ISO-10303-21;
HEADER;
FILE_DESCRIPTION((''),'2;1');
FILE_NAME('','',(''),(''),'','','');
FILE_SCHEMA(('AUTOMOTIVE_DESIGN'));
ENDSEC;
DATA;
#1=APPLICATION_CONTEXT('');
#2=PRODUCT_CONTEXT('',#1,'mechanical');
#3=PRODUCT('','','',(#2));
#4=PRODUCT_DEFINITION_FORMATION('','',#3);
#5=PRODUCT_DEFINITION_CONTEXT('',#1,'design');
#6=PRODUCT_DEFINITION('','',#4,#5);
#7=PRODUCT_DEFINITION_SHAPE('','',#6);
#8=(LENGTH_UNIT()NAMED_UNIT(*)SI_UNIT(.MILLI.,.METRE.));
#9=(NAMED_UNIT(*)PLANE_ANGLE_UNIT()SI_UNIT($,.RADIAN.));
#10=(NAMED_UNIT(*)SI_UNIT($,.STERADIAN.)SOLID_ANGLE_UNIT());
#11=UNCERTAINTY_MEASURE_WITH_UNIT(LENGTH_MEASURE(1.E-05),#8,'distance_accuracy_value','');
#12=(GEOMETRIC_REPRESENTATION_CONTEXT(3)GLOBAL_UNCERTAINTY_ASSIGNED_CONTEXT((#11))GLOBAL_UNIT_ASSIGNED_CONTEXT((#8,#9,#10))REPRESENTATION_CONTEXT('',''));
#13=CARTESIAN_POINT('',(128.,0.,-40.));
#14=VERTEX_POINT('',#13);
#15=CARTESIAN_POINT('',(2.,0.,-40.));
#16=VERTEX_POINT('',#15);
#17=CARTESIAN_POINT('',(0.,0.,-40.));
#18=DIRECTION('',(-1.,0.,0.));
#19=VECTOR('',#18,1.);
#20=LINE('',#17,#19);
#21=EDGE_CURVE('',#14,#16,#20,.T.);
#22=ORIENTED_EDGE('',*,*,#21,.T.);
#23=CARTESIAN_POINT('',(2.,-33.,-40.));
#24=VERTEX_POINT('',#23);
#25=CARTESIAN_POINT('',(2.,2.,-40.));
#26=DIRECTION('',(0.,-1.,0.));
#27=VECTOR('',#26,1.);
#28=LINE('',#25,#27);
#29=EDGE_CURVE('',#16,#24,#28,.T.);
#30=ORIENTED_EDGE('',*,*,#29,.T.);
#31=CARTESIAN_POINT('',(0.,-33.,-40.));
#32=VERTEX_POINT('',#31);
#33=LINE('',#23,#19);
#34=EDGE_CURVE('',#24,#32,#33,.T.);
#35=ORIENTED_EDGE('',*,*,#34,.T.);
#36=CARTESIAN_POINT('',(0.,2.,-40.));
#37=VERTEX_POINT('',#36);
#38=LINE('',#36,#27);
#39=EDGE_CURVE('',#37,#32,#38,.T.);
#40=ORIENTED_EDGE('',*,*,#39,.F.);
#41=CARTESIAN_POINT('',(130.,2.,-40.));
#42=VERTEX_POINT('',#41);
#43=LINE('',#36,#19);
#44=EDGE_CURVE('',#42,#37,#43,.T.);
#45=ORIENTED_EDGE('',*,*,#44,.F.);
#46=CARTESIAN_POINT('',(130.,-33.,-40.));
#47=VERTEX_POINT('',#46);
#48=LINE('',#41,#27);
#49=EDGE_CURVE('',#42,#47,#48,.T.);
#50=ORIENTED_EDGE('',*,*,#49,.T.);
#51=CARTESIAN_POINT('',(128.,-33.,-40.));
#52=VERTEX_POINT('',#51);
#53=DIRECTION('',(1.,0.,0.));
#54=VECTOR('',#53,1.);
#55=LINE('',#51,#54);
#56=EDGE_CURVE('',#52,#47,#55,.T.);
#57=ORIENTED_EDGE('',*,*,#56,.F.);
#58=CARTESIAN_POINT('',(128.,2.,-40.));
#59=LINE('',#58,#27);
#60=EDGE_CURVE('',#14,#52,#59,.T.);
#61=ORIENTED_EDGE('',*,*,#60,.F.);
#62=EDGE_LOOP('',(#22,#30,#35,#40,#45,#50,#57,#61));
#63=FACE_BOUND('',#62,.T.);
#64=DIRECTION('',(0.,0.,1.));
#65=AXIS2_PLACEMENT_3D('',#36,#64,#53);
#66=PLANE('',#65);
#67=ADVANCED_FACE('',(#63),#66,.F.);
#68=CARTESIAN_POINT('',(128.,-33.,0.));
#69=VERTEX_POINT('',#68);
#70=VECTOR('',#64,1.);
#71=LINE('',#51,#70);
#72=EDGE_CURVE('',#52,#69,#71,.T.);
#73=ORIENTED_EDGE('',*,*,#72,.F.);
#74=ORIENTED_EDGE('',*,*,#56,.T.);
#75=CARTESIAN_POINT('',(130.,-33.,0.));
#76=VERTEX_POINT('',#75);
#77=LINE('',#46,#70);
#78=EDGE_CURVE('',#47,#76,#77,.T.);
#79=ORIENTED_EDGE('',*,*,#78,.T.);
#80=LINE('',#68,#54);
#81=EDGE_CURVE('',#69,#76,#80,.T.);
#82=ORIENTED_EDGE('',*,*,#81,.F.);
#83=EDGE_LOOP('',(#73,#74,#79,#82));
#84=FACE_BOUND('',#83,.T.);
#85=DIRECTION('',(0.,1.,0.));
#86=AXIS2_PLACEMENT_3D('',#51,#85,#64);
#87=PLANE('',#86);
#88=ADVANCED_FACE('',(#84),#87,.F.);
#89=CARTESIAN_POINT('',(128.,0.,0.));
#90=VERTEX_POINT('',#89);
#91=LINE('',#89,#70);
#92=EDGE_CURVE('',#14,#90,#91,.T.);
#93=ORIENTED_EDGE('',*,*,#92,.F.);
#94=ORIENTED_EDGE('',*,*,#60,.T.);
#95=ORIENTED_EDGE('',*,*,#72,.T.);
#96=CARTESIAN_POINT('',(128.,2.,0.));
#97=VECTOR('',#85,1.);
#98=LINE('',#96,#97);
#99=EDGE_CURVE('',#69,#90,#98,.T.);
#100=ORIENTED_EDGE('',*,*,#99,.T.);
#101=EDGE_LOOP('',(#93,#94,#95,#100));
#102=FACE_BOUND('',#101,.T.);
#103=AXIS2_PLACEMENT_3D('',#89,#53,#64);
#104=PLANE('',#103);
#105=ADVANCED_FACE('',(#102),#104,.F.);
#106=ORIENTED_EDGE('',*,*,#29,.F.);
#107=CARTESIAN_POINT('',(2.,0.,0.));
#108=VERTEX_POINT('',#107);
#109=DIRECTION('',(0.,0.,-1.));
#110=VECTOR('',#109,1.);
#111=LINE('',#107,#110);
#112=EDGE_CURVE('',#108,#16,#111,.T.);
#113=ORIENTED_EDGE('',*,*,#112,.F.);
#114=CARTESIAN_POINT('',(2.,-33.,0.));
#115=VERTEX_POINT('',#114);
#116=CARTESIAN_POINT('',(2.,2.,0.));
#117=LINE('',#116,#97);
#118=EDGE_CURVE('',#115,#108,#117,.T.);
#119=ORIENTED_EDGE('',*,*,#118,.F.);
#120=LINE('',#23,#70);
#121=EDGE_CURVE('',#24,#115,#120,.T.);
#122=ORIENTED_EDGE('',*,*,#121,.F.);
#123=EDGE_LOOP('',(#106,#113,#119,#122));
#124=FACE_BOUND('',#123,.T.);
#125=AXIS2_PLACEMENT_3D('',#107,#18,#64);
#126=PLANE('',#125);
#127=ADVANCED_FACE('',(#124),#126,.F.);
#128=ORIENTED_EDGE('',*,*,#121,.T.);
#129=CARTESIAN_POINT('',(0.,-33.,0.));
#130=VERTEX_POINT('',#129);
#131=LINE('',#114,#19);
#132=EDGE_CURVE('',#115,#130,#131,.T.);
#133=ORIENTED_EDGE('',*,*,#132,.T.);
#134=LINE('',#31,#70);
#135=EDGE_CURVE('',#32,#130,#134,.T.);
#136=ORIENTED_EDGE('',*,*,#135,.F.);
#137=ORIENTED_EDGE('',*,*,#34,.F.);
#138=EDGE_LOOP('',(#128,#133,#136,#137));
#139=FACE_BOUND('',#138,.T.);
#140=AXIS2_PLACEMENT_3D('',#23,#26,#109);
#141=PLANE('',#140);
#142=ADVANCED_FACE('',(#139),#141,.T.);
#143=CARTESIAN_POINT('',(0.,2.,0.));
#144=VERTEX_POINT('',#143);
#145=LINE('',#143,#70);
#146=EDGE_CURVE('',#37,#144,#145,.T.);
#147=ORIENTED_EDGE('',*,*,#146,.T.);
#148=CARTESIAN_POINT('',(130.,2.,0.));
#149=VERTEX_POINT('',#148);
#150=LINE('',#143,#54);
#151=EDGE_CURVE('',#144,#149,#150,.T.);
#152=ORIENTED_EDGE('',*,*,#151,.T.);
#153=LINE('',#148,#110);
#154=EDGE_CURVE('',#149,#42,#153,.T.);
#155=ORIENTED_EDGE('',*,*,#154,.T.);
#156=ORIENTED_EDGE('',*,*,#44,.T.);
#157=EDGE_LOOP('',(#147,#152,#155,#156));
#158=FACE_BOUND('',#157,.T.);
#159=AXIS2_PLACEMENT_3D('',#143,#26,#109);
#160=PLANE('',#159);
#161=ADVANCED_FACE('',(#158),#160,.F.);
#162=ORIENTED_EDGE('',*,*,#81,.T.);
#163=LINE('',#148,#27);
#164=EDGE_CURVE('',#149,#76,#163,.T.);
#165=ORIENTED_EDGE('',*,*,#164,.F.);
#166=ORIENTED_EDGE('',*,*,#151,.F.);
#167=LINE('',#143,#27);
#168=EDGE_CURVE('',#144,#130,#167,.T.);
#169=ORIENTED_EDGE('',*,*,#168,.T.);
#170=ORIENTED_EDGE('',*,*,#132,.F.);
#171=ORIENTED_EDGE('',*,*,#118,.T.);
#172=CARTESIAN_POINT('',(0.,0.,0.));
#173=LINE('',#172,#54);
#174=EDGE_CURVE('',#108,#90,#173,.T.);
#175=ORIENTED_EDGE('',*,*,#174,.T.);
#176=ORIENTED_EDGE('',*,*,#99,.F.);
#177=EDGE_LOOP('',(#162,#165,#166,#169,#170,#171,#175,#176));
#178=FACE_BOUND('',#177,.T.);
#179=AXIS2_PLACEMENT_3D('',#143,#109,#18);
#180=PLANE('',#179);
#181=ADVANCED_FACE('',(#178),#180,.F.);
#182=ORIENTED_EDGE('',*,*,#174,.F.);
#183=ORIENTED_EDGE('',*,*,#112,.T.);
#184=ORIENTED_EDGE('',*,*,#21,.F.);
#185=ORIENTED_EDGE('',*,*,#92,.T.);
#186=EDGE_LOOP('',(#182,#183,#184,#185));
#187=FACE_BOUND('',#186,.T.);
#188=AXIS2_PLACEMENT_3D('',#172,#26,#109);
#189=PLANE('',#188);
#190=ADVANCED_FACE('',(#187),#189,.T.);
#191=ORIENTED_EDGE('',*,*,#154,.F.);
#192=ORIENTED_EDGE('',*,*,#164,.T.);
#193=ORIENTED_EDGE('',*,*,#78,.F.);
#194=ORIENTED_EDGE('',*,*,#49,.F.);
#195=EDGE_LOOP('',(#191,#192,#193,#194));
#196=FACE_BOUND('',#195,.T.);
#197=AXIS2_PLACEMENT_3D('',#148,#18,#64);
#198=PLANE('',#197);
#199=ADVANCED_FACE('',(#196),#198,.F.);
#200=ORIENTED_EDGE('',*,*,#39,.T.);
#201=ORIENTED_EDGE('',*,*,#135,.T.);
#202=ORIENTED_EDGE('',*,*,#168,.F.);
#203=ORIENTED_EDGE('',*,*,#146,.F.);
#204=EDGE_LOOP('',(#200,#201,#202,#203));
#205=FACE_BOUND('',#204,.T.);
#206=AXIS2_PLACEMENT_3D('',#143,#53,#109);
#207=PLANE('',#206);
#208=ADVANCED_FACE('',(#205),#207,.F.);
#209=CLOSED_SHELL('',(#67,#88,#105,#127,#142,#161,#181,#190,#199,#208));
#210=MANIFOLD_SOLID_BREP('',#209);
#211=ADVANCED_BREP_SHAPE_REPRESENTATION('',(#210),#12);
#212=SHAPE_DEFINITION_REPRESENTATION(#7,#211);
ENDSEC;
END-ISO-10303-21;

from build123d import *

# Parameters (mm, degrees)
SKETCH1_W           = 130
SKETCH1_H           = 40
BOSS_EXTRUDE1_DEPTH = 2
SKETCH2_W           = 40
SKETCH2_H           = 35
BOSS_EXTRUDE2_DEPTH = 2


with BuildPart() as part:
    # Sketch1 → Boss-Extrude1 (new body)
    with BuildSketch(Plane(origin=(0, 0, 0), x_dir=(1, 0, 0), z_dir=(0, 1, 0))):
        with Locations((65, 20)):
            Rectangle(SKETCH1_W, SKETCH1_H)
    extrude(amount=BOSS_EXTRUDE1_DEPTH)

    # Sketch2 → Boss-Extrude2 (add)
    with BuildSketch(Plane.ZY):
        with Locations((-20, -15.5)):
            Rectangle(SKETCH2_W, SKETCH2_H)
    boss_extrude2 = extrude(amount=-BOSS_EXTRUDE2_DEPTH)

    # Mirror1: Boss-Extrude2 across plane
    add(boss_extrude2.mirror(Plane(origin=(65, 0, 0), x_dir=(0, 0, 1), z_dir=(1, 0, 0))))


solid = part.part
